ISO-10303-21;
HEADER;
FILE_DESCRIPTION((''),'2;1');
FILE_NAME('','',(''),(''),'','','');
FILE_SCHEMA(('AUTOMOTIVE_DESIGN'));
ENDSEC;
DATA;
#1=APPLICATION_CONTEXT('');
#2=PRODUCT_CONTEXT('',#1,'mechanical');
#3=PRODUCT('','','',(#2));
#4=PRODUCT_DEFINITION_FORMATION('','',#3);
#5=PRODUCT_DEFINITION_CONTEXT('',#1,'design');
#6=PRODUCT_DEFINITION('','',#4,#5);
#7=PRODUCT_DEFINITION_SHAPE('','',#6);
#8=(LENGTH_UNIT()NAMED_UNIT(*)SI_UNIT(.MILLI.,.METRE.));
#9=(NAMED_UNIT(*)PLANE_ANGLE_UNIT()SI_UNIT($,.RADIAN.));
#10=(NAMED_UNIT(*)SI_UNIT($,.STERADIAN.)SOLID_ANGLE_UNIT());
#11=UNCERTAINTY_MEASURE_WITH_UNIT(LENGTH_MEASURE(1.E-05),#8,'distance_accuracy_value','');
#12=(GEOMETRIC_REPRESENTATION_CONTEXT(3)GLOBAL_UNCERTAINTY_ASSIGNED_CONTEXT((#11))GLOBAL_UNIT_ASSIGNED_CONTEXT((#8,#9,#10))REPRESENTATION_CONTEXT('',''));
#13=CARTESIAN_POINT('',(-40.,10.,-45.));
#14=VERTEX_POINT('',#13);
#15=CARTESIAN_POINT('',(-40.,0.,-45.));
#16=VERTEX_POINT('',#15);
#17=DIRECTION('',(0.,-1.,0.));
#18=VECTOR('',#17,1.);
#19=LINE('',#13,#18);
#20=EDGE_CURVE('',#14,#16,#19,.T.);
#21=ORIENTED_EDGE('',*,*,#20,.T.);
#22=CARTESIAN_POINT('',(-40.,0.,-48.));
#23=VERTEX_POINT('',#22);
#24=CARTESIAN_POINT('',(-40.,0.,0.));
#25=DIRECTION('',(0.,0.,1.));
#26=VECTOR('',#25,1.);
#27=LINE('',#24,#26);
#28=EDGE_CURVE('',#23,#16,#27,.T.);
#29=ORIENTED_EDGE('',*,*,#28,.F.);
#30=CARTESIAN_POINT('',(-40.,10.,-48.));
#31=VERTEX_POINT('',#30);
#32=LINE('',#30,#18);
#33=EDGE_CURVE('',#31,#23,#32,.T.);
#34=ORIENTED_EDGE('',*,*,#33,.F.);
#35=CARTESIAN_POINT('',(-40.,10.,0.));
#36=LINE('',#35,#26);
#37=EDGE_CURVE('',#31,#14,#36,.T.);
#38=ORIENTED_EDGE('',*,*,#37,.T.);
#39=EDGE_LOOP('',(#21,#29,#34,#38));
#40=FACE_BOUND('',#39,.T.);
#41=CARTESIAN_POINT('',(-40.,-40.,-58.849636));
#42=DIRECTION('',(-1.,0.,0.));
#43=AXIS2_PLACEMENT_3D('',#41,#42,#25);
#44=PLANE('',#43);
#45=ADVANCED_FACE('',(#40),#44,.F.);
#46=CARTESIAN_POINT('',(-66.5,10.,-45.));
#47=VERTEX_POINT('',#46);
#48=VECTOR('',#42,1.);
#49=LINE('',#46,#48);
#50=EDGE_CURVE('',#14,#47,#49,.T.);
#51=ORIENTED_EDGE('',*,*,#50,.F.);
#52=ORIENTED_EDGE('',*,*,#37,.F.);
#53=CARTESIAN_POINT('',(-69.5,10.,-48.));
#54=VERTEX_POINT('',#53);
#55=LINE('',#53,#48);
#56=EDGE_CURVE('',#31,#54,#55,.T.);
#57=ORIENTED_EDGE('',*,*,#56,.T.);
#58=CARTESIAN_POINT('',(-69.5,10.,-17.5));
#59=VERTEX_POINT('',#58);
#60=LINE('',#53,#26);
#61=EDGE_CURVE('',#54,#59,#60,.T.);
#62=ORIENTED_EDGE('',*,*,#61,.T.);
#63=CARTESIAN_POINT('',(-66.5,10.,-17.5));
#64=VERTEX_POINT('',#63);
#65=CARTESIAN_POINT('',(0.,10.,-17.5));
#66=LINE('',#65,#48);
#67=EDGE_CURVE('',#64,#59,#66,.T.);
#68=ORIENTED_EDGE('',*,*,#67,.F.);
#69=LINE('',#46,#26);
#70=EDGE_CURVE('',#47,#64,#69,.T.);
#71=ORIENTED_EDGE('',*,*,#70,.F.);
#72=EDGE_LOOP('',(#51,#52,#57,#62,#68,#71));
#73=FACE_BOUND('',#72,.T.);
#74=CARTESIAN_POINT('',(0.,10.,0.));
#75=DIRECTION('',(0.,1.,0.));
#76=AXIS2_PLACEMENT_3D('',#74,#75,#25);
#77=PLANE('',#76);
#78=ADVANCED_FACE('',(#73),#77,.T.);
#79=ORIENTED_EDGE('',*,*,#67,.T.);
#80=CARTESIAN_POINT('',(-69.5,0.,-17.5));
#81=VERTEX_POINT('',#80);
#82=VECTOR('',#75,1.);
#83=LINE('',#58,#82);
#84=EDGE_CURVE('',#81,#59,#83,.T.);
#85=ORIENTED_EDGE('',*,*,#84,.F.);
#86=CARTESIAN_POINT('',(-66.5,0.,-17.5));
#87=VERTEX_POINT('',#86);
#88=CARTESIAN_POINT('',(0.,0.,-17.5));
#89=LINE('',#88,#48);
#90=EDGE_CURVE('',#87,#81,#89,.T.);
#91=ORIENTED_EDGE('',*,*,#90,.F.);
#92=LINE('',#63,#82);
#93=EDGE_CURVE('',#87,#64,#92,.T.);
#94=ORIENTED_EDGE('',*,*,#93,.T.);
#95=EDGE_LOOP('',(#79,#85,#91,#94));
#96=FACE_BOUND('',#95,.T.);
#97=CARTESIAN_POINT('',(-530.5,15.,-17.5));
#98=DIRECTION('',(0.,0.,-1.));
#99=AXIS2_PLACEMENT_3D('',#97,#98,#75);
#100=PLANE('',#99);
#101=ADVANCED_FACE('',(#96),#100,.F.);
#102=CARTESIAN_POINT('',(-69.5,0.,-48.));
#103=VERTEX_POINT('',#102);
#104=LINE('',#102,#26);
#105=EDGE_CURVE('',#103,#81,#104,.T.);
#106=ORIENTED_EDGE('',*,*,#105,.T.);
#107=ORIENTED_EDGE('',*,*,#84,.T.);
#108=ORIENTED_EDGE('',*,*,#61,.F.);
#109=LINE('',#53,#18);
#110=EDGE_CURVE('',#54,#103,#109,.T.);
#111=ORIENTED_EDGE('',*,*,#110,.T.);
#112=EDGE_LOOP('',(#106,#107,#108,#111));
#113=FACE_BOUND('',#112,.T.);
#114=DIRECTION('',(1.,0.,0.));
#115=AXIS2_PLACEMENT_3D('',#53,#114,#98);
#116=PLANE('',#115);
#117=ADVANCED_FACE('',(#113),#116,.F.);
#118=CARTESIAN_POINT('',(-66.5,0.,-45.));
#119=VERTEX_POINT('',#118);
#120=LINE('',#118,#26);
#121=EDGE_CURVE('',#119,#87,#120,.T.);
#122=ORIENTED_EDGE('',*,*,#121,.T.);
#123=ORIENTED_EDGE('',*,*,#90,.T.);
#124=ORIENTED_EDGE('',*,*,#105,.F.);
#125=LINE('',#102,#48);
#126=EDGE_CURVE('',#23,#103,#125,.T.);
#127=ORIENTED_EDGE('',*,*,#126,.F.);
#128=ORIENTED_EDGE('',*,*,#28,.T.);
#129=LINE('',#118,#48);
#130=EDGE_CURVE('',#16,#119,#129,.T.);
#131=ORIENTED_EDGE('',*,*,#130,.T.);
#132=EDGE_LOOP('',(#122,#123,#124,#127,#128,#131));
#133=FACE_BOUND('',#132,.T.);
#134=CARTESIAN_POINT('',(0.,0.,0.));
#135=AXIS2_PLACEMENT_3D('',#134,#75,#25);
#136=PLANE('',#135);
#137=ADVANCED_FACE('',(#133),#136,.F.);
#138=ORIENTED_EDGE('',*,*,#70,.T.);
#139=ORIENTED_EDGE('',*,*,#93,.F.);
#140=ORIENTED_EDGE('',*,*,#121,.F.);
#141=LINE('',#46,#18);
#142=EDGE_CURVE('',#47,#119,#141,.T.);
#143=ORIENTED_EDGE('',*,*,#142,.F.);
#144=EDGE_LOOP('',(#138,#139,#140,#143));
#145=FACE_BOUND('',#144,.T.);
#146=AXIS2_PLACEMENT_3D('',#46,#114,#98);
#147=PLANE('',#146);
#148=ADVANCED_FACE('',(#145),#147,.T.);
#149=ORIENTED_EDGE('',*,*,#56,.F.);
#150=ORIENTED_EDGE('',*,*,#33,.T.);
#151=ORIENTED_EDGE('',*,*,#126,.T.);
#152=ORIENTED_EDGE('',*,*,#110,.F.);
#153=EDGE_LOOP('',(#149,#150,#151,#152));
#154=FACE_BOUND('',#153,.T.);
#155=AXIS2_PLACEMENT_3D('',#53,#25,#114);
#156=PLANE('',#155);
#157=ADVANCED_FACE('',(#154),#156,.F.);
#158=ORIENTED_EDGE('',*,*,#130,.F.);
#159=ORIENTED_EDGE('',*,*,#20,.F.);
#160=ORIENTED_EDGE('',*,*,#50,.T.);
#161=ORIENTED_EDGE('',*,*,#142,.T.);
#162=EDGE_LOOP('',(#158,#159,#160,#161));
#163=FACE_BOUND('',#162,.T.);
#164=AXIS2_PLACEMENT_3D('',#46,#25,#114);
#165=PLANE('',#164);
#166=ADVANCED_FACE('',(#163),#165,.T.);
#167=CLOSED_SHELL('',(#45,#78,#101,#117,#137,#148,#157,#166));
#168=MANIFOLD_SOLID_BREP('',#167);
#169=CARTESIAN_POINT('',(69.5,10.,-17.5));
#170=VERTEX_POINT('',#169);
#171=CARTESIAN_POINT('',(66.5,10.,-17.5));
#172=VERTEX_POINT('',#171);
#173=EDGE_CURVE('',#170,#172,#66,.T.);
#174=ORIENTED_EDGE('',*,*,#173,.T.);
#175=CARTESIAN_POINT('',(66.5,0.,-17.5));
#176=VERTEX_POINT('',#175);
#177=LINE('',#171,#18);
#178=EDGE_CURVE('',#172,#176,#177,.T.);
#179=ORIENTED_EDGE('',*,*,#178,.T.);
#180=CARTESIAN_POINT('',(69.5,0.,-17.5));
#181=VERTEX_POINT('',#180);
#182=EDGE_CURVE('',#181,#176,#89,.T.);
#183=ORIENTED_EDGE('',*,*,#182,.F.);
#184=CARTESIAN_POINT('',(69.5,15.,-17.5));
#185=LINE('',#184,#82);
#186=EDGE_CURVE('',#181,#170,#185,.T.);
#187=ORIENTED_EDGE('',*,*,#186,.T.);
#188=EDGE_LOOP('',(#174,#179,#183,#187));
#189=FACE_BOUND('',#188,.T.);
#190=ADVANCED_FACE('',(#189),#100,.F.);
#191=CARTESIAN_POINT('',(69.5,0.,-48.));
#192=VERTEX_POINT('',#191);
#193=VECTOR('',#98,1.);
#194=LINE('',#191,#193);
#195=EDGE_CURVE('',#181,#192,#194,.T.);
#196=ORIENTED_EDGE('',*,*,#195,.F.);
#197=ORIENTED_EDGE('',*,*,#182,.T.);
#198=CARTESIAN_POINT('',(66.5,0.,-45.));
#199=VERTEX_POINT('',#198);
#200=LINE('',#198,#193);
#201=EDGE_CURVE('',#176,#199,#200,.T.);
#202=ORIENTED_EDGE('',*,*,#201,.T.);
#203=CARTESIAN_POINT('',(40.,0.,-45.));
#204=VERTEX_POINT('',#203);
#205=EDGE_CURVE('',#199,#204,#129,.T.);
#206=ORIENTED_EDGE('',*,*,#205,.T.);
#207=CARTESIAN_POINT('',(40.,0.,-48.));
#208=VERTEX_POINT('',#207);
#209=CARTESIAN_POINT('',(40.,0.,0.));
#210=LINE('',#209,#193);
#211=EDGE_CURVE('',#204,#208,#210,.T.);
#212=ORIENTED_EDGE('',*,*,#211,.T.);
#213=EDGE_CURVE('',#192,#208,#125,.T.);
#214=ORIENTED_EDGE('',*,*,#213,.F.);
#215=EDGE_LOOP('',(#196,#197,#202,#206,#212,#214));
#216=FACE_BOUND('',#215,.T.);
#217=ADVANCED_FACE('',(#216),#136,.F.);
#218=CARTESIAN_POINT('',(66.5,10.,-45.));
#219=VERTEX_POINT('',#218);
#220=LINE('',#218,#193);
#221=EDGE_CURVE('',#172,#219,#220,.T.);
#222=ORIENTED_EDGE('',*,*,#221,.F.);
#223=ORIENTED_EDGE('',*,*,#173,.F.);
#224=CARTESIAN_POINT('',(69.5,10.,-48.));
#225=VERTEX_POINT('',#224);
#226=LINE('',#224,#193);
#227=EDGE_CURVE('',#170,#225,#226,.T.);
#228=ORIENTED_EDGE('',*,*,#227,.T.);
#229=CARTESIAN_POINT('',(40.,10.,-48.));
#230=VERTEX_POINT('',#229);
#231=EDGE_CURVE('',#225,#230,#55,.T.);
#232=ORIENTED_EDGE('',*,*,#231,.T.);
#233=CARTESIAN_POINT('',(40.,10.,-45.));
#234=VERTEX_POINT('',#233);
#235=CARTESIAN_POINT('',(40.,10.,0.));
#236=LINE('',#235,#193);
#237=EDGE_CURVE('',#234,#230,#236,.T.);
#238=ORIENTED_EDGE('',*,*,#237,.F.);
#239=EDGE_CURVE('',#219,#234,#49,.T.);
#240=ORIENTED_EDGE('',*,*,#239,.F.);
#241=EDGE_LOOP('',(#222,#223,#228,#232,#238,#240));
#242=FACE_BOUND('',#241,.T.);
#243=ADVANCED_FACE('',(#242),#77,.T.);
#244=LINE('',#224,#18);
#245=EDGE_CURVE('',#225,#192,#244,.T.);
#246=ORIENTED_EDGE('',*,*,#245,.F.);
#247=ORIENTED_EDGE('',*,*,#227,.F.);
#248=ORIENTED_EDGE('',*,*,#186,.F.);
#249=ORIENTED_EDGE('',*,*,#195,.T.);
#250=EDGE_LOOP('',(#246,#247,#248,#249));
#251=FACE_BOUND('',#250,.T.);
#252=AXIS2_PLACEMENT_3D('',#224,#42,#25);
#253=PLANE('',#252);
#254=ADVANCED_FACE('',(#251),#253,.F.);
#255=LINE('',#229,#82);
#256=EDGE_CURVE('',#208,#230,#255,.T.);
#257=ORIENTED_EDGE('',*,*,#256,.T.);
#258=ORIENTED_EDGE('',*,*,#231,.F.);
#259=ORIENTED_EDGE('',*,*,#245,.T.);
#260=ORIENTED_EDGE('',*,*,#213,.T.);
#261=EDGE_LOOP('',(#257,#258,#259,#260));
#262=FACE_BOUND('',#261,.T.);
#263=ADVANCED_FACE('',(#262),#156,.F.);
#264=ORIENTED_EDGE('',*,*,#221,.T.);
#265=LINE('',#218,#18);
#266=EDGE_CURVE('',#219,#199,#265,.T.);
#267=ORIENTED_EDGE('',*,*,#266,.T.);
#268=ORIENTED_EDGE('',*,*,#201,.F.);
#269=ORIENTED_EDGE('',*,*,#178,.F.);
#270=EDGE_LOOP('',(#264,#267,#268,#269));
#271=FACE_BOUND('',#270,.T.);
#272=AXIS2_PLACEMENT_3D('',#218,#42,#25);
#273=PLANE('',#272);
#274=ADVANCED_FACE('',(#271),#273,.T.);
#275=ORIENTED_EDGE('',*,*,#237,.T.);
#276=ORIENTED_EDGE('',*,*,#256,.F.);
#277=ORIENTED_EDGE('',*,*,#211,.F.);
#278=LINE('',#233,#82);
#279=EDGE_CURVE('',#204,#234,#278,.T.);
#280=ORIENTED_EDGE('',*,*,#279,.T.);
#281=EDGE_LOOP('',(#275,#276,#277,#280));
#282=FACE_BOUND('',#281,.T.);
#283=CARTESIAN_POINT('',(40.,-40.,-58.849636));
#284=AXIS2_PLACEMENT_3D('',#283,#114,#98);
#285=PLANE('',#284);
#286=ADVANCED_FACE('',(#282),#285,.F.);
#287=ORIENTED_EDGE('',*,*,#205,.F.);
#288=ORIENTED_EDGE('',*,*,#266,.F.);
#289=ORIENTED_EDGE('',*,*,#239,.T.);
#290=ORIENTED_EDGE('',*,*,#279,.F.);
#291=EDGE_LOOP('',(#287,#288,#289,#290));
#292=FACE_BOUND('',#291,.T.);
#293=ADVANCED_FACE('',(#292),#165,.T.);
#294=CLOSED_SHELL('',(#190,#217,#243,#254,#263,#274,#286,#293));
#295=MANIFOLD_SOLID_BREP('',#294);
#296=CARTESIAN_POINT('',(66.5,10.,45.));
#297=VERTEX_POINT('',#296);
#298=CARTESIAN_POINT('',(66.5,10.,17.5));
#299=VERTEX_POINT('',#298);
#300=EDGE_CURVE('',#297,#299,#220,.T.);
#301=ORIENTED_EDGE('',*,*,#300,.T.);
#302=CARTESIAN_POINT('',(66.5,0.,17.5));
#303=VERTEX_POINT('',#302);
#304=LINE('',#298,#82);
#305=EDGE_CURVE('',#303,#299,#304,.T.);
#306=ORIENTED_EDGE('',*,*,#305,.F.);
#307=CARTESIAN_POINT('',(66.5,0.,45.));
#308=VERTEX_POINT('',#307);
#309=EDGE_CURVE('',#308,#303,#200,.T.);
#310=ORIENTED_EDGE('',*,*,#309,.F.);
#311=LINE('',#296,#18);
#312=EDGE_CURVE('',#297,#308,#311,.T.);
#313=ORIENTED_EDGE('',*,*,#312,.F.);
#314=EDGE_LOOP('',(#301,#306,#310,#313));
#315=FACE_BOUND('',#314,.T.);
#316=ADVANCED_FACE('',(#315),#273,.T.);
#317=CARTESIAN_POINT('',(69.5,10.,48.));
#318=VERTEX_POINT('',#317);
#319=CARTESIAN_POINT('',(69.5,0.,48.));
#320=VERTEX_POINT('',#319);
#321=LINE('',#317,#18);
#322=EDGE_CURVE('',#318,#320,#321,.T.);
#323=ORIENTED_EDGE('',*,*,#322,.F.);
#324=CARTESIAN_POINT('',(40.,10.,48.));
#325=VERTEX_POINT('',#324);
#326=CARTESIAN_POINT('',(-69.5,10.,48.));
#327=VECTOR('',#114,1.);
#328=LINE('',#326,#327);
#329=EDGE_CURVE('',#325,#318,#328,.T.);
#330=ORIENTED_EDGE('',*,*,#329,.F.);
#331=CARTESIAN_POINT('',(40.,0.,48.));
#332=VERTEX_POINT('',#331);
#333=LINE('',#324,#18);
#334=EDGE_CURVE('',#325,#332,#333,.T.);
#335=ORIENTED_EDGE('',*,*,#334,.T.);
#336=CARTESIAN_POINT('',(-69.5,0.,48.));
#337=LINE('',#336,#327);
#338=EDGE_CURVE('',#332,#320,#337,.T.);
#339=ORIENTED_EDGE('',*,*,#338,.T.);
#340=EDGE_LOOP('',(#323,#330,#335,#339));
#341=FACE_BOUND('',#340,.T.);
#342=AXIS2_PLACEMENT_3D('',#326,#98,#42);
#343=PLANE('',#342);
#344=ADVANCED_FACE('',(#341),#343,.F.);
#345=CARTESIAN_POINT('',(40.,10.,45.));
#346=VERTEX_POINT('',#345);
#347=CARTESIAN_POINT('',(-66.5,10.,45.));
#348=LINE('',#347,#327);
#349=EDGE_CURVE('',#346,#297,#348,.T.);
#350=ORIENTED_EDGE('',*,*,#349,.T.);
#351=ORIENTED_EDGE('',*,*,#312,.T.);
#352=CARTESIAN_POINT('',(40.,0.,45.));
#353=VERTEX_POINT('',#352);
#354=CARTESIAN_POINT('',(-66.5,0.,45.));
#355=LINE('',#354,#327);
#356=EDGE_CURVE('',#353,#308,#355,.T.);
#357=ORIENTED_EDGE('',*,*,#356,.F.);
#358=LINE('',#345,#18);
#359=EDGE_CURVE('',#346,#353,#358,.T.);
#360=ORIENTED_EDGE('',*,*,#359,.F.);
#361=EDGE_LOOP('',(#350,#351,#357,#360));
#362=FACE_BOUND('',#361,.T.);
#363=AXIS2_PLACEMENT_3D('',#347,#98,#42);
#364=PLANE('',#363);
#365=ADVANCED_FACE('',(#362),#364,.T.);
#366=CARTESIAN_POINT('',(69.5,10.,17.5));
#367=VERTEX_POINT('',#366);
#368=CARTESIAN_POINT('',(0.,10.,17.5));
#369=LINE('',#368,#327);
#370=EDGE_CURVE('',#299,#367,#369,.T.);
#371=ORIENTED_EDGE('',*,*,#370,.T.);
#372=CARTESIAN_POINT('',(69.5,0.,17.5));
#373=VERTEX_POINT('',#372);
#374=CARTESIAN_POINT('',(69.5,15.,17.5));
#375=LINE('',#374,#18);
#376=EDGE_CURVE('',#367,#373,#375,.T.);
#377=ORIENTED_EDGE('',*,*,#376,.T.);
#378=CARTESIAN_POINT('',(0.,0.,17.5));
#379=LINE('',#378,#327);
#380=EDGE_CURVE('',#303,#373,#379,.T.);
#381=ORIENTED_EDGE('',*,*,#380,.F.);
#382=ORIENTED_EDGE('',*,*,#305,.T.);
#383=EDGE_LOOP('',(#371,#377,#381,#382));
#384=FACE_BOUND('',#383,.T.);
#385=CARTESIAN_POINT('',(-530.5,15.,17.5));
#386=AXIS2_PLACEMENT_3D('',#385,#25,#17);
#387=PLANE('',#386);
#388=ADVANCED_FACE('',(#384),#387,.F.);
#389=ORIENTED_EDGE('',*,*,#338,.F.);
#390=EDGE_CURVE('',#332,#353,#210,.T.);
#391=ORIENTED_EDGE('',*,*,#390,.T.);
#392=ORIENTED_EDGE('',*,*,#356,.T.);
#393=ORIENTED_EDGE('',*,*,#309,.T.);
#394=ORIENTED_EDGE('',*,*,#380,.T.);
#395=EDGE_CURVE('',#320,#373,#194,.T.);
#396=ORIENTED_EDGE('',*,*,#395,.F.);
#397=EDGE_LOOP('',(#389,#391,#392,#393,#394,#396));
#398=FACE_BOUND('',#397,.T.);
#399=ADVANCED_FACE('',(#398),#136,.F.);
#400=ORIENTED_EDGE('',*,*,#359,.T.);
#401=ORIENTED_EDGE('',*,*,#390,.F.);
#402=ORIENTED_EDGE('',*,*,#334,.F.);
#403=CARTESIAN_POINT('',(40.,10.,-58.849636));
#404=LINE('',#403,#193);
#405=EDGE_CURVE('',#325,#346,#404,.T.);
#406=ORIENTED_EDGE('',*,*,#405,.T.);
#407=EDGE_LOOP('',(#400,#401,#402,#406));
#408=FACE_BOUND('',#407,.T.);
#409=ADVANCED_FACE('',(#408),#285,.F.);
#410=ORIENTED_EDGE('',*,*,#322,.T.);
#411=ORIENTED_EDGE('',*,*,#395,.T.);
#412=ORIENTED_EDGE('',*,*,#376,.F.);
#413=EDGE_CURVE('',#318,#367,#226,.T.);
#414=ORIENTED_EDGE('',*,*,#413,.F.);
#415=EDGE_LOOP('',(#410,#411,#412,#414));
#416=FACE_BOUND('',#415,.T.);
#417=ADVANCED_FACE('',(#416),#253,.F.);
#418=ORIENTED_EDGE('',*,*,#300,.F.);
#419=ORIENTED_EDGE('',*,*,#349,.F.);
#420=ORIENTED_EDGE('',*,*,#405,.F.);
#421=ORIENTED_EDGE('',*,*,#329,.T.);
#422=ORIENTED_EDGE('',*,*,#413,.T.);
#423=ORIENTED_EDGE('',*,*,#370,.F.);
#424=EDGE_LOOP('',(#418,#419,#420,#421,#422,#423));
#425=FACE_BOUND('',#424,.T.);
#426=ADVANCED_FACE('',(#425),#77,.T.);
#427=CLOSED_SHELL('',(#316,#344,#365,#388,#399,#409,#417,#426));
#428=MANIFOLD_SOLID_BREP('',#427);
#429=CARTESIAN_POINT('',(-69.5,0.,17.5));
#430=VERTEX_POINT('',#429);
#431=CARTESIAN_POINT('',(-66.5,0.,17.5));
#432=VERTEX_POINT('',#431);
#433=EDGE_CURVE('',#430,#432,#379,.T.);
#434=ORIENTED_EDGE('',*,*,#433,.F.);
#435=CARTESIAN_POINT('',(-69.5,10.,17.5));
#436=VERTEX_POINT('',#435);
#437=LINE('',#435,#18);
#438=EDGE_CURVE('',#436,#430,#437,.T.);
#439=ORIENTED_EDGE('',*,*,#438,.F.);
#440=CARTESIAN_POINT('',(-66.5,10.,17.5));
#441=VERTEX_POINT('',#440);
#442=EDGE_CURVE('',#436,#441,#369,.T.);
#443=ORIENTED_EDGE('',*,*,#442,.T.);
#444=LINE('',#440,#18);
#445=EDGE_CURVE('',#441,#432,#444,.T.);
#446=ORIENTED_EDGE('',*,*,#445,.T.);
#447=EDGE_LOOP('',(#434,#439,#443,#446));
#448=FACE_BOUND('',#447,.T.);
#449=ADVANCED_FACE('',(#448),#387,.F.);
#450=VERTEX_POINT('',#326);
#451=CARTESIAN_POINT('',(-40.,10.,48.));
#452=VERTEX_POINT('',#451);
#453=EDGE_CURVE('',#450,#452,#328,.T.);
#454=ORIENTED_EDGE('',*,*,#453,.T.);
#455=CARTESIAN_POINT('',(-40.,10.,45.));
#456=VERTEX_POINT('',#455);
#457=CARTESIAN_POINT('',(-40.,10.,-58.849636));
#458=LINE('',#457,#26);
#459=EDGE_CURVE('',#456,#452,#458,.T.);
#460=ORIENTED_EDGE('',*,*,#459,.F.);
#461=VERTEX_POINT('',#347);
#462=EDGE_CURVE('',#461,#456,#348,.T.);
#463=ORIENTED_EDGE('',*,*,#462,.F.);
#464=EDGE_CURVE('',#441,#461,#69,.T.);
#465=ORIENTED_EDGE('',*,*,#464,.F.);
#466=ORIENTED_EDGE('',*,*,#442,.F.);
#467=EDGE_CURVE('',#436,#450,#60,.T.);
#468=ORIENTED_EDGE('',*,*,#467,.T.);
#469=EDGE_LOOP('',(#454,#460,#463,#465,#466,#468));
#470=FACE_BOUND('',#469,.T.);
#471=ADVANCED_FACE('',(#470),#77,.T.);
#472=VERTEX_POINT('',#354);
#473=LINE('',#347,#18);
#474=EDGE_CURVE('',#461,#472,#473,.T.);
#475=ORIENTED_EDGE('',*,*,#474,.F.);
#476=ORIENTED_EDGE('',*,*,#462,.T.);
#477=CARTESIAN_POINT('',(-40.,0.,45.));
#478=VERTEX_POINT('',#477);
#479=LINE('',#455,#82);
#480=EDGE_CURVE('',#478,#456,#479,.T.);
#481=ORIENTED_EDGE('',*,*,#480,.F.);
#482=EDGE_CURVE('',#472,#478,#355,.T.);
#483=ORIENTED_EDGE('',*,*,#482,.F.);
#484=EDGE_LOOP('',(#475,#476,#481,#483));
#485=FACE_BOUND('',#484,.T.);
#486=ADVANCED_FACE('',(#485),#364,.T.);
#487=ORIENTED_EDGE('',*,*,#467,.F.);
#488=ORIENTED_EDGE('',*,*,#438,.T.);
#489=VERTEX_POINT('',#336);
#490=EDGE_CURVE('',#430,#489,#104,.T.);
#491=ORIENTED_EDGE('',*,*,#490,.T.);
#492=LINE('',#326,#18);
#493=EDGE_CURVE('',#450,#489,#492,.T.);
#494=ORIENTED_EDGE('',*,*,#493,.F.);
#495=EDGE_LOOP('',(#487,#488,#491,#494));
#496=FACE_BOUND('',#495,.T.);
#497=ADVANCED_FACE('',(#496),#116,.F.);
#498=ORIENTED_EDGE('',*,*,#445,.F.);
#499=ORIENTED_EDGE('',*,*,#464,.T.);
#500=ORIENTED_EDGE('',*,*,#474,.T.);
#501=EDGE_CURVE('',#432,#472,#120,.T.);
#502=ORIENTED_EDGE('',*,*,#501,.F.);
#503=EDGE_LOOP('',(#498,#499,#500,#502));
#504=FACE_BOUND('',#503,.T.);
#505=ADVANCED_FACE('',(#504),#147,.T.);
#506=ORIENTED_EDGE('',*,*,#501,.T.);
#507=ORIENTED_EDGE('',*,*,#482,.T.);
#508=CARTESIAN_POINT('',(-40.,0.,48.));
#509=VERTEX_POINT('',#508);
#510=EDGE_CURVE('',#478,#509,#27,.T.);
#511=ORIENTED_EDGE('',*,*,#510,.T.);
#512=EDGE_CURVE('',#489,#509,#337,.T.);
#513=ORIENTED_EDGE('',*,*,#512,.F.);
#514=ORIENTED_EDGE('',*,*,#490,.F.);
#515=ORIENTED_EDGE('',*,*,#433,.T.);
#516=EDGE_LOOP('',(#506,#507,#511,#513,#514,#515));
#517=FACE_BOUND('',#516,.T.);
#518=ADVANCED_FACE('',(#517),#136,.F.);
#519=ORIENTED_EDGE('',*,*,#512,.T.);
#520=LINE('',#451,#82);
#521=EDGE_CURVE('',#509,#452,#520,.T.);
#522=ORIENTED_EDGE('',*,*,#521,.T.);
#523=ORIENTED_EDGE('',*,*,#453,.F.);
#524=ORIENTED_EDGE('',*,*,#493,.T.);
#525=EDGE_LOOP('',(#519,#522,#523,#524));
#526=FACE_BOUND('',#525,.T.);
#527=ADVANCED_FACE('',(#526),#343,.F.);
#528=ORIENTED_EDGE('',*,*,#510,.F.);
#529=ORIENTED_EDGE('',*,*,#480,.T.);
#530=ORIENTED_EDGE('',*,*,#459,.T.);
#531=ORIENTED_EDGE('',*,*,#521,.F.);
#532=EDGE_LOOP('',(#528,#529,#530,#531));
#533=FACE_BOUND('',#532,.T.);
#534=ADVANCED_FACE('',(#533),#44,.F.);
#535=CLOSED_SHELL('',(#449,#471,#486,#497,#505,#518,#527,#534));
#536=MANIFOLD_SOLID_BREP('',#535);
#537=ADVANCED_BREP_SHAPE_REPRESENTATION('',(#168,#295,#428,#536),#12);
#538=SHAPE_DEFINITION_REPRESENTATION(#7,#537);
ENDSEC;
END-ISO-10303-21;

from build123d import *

# Parameters (mm, degrees)
SKETCH1_W           = 139
SKETCH1_H           = 96
SKETCH1_W_2         = 133
SKETCH1_H_2         = 90
BOSS_EXTRUDE1_DEPTH = 10
SKETCH2_W           = 35
SKETCH2_H           = 30
CUT_EXTRUDE1_DEPTH  = 600
SKETCH3_W           = 80
SKETCH3_H           = 120.605427014
CUT_EXTRUDE2_DEPTH  = 50


with BuildPart() as part:
    # Sketch1 → Boss-Extrude1 (new body)
    with BuildSketch(Plane(origin=(0, 0, 0), x_dir=(1, 0, 0), z_dir=(0, 1, 0))):
        Rectangle(SKETCH1_W, SKETCH1_H)
        Rectangle(SKETCH1_W_2, SKETCH1_H_2, mode=Mode.SUBTRACT)
    extrude(amount=BOSS_EXTRUDE1_DEPTH)

    # Sketch2 → Cut-Extrude1 (cut)
    with BuildSketch(Plane(origin=(69.5, 0, 0), x_dir=(0, 0, -1), z_dir=(1, 0, 0))):
        Rectangle(SKETCH2_W, SKETCH2_H)
    extrude(amount=-CUT_EXTRUDE1_DEPTH, mode=Mode.SUBTRACT)

    # Sketch3 → Cut-Extrude2 (cut)
    with BuildSketch(Plane(origin=(0, 10, 0), x_dir=(1, 0, 0), z_dir=(0, 1, 0))):
        with Locations((0, -1.453077434)):
            Rectangle(SKETCH3_W, SKETCH3_H)
    extrude(amount=-CUT_EXTRUDE2_DEPTH, mode=Mode.SUBTRACT)


solid = part.part
